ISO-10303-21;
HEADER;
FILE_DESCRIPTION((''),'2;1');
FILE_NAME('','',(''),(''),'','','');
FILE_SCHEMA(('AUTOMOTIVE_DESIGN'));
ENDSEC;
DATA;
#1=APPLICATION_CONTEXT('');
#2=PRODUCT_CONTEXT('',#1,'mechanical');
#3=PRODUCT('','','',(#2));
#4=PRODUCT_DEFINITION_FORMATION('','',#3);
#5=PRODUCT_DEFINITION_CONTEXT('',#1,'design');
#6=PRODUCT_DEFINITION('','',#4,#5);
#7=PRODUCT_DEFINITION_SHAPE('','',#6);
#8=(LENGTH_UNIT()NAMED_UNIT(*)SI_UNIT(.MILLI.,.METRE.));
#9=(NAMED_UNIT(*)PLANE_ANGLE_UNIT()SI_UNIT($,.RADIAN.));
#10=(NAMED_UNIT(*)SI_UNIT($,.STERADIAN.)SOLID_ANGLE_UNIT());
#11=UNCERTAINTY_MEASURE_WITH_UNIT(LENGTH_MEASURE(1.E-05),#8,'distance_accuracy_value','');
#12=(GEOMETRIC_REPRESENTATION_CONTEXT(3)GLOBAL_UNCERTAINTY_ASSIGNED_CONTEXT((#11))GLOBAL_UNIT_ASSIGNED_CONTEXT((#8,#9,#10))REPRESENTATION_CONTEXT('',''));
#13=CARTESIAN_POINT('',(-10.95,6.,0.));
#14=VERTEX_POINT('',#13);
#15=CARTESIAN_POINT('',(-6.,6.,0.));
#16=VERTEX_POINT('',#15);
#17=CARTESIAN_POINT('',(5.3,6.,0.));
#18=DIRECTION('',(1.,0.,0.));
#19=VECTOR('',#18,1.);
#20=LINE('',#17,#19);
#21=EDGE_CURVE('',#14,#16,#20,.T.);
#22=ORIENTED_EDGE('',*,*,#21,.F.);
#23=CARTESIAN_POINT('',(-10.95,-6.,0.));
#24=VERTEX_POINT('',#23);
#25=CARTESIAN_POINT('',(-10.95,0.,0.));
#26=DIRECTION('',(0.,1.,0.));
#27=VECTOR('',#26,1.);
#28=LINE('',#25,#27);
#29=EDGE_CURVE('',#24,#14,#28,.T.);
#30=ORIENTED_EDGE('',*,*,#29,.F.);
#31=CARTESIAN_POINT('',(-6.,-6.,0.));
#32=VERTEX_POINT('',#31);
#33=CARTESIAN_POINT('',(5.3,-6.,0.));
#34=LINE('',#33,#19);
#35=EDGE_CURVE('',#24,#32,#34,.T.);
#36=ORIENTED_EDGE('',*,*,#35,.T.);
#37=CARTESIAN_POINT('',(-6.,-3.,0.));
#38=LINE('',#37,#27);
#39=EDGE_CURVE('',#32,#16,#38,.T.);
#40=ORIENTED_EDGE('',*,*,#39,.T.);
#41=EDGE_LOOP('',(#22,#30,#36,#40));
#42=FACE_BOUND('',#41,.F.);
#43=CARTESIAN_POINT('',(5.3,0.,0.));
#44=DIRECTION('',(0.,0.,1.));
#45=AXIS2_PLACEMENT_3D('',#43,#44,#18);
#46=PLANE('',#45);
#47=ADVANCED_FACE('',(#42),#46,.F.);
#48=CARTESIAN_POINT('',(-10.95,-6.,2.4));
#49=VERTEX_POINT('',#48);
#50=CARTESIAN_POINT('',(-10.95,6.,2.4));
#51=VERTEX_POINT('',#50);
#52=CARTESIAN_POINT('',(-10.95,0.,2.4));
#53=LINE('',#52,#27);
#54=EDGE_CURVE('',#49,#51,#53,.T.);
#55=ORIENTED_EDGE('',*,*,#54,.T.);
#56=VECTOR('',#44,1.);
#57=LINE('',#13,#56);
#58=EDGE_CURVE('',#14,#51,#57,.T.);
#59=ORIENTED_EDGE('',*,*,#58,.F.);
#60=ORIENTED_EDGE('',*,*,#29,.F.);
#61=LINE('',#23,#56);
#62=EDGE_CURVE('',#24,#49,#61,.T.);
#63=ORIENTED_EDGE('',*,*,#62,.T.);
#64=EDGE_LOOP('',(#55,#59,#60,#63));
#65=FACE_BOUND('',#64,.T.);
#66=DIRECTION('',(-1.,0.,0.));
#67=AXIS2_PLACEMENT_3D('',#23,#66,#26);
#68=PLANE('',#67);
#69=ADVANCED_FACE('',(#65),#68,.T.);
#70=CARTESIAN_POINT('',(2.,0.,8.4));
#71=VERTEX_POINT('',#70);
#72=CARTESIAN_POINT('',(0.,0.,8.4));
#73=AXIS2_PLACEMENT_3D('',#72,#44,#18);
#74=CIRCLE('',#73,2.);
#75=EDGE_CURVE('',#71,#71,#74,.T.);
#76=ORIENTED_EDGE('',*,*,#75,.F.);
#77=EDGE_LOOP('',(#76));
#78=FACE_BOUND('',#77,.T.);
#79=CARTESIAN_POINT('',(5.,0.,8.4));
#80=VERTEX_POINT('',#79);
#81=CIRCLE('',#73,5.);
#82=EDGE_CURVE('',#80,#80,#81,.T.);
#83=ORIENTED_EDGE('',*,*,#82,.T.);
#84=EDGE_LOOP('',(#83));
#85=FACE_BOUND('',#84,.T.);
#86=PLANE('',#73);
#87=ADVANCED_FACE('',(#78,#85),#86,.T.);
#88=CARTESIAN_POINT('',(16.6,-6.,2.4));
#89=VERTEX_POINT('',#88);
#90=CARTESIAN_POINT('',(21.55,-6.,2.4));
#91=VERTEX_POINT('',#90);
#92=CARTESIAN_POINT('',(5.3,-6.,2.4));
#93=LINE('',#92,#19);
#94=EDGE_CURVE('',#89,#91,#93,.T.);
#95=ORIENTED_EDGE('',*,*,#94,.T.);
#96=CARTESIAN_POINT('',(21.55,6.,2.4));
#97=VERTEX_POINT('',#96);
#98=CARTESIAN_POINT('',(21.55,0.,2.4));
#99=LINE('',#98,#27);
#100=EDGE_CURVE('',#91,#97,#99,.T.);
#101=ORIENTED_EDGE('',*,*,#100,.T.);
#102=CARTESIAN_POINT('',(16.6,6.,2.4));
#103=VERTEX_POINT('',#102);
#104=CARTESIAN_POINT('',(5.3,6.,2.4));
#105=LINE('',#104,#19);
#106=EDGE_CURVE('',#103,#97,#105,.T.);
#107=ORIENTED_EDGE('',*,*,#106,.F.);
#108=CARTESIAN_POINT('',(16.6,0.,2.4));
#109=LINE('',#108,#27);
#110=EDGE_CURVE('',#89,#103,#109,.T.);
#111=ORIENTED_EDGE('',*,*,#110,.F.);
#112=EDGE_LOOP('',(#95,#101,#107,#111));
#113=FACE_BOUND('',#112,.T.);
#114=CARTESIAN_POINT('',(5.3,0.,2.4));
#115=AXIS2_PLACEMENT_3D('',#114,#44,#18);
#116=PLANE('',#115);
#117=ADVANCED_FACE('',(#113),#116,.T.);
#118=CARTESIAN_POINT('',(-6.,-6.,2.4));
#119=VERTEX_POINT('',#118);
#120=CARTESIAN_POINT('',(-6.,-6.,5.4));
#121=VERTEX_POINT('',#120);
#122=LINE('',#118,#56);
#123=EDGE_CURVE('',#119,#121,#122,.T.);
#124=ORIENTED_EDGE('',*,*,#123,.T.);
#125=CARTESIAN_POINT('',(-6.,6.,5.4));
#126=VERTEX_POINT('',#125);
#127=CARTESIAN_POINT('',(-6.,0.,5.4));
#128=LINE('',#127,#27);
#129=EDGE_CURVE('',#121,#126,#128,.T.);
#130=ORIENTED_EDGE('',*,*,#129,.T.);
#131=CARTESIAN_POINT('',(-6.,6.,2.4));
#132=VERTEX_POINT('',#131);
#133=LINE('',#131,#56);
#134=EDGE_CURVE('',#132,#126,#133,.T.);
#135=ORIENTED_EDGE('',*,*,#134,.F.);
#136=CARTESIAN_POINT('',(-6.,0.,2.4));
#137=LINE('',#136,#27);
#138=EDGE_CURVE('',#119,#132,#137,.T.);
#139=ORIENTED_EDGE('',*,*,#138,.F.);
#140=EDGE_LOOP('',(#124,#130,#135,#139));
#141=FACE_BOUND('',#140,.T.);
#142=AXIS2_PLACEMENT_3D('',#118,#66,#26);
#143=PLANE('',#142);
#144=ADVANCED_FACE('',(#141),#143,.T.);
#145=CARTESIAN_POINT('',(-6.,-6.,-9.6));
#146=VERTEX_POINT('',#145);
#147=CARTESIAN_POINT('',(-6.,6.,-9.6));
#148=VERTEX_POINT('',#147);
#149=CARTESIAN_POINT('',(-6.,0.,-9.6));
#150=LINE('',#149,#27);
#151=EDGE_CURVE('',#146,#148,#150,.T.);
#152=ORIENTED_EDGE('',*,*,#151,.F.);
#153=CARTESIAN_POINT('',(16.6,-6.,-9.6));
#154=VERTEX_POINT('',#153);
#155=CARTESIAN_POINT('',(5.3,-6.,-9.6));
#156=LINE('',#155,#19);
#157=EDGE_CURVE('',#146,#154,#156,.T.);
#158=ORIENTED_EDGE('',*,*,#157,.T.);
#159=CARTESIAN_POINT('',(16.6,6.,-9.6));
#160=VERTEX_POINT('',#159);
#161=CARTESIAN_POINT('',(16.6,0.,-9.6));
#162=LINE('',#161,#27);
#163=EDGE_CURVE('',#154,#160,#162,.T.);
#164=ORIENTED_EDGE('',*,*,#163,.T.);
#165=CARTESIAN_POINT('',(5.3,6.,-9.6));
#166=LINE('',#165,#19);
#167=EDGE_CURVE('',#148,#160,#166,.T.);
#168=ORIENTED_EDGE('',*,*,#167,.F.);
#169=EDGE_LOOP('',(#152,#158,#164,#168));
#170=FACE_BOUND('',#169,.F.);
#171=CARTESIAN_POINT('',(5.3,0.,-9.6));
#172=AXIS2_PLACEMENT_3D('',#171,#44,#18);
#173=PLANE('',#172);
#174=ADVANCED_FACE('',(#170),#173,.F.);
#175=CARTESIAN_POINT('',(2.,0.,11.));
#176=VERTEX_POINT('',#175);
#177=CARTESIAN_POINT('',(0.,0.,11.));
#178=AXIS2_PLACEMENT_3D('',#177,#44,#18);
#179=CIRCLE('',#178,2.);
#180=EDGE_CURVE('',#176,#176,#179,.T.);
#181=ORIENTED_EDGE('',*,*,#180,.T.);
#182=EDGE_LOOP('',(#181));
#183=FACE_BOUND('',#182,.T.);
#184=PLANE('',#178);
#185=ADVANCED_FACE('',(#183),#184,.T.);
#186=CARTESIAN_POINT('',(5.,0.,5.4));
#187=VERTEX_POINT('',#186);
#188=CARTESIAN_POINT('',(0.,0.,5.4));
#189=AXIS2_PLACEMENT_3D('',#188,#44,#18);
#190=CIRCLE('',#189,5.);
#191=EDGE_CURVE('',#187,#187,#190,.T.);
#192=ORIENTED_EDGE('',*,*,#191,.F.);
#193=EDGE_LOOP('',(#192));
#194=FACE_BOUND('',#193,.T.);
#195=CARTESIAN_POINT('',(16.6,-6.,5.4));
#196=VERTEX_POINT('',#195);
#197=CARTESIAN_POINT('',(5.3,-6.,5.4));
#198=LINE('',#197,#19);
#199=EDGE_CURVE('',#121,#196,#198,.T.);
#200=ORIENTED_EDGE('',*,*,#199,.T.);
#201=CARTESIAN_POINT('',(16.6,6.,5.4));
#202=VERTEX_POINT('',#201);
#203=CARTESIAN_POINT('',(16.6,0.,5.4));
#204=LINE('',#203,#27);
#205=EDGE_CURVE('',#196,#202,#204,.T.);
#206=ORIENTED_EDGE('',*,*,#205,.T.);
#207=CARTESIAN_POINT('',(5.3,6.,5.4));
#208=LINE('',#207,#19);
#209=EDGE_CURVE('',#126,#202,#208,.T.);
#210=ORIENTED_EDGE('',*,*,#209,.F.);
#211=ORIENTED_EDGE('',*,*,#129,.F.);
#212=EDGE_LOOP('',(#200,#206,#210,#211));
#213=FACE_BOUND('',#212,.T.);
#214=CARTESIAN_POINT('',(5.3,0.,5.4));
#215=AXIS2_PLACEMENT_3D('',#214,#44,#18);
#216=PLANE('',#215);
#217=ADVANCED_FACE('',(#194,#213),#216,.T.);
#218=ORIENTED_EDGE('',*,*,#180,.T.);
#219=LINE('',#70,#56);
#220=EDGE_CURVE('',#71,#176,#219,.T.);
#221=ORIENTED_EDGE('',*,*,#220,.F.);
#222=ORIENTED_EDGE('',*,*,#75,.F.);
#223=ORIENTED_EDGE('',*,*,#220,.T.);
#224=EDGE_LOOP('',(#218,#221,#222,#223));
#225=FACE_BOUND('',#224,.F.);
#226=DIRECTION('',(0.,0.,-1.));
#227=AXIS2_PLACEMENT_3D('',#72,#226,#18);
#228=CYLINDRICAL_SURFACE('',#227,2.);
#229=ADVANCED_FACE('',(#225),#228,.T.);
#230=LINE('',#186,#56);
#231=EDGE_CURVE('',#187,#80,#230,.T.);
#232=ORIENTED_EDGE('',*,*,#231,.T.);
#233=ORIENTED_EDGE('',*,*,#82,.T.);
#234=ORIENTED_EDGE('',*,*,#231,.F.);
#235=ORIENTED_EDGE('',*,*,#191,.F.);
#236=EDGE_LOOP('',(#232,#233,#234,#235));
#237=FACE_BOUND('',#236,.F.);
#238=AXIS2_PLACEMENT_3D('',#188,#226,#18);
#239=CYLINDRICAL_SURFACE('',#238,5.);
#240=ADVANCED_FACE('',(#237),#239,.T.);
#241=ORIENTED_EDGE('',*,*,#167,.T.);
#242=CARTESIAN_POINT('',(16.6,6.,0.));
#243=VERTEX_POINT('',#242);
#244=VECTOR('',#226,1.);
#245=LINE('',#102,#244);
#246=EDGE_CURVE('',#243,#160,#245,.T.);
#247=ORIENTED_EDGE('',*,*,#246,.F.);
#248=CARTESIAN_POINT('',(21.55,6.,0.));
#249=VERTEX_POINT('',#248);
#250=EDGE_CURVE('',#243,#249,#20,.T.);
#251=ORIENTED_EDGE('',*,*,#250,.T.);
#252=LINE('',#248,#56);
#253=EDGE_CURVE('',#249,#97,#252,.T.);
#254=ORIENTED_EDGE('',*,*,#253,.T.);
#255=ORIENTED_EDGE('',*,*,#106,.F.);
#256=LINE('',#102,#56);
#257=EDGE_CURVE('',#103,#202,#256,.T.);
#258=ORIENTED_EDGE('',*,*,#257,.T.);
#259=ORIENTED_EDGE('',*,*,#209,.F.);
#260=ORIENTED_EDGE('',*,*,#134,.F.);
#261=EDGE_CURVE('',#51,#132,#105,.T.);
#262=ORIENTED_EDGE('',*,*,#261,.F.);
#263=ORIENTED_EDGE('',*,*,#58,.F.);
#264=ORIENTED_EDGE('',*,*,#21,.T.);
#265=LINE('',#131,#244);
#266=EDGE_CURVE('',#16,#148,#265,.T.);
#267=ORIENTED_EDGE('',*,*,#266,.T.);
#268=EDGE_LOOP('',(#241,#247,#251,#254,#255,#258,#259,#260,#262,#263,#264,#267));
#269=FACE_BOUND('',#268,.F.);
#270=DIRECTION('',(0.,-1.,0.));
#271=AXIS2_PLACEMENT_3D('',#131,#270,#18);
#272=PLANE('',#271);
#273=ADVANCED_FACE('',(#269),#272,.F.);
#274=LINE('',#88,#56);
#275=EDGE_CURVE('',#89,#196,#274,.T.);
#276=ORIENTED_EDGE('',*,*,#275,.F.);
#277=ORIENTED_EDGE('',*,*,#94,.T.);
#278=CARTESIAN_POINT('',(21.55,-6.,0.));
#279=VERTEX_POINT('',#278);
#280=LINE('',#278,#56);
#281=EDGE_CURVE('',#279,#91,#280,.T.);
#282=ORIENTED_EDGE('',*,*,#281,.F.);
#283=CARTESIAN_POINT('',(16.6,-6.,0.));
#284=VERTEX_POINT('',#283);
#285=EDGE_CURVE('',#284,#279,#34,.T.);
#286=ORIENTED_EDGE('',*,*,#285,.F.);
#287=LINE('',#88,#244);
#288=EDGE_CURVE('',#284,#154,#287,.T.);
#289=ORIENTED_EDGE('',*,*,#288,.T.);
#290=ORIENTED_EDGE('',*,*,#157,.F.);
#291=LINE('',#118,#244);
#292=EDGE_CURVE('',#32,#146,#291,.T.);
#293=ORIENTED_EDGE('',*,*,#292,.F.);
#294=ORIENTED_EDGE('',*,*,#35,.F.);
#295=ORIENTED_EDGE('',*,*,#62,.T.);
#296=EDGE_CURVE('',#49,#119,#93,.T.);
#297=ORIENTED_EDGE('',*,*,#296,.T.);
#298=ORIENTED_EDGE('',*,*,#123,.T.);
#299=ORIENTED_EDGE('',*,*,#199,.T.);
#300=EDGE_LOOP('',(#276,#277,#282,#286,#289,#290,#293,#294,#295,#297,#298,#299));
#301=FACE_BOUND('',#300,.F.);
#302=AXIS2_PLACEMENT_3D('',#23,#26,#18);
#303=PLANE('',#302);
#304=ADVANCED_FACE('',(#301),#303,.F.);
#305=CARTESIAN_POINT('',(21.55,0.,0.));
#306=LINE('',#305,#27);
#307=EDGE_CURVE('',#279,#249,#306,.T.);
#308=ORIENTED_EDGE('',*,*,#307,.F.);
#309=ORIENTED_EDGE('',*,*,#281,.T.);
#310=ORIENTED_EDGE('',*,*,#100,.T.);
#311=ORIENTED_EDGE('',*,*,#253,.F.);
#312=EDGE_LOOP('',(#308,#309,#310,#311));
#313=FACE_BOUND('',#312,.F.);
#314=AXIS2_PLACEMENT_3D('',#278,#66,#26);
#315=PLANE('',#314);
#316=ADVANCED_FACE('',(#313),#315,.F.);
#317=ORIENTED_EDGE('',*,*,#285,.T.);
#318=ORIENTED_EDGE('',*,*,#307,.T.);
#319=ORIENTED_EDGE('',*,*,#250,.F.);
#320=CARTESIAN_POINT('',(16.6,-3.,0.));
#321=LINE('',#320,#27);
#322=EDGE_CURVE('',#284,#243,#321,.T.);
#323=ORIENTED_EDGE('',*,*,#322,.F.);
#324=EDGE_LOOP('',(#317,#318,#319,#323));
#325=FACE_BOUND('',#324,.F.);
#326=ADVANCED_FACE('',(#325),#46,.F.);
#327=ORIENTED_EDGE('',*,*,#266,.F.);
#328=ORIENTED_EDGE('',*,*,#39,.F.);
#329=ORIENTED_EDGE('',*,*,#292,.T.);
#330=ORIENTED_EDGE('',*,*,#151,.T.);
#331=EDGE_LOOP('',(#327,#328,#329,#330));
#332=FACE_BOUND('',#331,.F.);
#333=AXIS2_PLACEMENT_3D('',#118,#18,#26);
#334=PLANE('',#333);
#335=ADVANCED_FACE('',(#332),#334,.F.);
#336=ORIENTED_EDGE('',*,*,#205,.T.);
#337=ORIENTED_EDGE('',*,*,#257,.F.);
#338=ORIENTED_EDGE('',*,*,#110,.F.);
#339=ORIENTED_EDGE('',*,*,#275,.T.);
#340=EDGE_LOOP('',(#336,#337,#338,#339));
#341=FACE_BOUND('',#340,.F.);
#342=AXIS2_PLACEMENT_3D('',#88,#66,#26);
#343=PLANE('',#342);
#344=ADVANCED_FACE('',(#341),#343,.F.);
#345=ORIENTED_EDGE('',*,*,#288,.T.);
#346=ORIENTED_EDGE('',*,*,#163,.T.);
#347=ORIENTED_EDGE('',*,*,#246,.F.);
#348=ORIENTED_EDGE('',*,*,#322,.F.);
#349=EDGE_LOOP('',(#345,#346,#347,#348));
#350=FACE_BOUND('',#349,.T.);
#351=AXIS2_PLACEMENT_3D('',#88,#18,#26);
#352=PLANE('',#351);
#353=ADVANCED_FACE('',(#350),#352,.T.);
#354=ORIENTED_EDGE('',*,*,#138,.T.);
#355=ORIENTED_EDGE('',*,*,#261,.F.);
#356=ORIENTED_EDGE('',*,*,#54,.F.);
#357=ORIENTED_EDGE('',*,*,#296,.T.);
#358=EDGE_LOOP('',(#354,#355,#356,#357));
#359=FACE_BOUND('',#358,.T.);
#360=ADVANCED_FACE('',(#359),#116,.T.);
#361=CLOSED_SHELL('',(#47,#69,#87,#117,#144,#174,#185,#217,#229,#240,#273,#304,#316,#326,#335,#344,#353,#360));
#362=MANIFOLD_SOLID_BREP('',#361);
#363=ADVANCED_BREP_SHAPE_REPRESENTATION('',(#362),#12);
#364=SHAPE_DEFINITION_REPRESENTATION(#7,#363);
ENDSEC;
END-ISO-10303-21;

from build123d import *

# Parameters (mm, degrees)
F0_W          = 32.5
F0_H          = 12
F1_DEPTH      = 2.4
F2_W          = 22.6
F2_H          = 12
F3_DEPTH      = 3
F3_DEPTH_BACK = 12
F4_R          = 5
F5_DEPTH      = 3
F6_R          = 2
F7_DEPTH      = 2.6


with BuildPart() as f1:
    # F0 (on Top) → F1 (new body)
    with BuildSketch(Plane.XY):
        with Locations((5.3, 0)):
            Rectangle(F0_W, F0_H)
    extrude(amount=F1_DEPTH)

    # F2 (on face) → F3 (join, two sides)
    with BuildSketch(Plane.XY.offset(2.4)) as f3_sk:
        with Locations((5.3, 0)):
            Rectangle(F2_W, F2_H)
    extrude(amount=F3_DEPTH)
    extrude(f3_sk.sketch, amount=-F3_DEPTH_BACK)

    # F4 (on face) → F5 (join)
    with BuildSketch(Plane.XY.offset(5.4)):
        Circle(F4_R)
    extrude(amount=F5_DEPTH)

    # F6 (on face) → F7 (join)
    with BuildSketch(Plane.XY.offset(8.4)):
        Circle(F6_R)
    extrude(amount=F7_DEPTH)


solid = f1.part
